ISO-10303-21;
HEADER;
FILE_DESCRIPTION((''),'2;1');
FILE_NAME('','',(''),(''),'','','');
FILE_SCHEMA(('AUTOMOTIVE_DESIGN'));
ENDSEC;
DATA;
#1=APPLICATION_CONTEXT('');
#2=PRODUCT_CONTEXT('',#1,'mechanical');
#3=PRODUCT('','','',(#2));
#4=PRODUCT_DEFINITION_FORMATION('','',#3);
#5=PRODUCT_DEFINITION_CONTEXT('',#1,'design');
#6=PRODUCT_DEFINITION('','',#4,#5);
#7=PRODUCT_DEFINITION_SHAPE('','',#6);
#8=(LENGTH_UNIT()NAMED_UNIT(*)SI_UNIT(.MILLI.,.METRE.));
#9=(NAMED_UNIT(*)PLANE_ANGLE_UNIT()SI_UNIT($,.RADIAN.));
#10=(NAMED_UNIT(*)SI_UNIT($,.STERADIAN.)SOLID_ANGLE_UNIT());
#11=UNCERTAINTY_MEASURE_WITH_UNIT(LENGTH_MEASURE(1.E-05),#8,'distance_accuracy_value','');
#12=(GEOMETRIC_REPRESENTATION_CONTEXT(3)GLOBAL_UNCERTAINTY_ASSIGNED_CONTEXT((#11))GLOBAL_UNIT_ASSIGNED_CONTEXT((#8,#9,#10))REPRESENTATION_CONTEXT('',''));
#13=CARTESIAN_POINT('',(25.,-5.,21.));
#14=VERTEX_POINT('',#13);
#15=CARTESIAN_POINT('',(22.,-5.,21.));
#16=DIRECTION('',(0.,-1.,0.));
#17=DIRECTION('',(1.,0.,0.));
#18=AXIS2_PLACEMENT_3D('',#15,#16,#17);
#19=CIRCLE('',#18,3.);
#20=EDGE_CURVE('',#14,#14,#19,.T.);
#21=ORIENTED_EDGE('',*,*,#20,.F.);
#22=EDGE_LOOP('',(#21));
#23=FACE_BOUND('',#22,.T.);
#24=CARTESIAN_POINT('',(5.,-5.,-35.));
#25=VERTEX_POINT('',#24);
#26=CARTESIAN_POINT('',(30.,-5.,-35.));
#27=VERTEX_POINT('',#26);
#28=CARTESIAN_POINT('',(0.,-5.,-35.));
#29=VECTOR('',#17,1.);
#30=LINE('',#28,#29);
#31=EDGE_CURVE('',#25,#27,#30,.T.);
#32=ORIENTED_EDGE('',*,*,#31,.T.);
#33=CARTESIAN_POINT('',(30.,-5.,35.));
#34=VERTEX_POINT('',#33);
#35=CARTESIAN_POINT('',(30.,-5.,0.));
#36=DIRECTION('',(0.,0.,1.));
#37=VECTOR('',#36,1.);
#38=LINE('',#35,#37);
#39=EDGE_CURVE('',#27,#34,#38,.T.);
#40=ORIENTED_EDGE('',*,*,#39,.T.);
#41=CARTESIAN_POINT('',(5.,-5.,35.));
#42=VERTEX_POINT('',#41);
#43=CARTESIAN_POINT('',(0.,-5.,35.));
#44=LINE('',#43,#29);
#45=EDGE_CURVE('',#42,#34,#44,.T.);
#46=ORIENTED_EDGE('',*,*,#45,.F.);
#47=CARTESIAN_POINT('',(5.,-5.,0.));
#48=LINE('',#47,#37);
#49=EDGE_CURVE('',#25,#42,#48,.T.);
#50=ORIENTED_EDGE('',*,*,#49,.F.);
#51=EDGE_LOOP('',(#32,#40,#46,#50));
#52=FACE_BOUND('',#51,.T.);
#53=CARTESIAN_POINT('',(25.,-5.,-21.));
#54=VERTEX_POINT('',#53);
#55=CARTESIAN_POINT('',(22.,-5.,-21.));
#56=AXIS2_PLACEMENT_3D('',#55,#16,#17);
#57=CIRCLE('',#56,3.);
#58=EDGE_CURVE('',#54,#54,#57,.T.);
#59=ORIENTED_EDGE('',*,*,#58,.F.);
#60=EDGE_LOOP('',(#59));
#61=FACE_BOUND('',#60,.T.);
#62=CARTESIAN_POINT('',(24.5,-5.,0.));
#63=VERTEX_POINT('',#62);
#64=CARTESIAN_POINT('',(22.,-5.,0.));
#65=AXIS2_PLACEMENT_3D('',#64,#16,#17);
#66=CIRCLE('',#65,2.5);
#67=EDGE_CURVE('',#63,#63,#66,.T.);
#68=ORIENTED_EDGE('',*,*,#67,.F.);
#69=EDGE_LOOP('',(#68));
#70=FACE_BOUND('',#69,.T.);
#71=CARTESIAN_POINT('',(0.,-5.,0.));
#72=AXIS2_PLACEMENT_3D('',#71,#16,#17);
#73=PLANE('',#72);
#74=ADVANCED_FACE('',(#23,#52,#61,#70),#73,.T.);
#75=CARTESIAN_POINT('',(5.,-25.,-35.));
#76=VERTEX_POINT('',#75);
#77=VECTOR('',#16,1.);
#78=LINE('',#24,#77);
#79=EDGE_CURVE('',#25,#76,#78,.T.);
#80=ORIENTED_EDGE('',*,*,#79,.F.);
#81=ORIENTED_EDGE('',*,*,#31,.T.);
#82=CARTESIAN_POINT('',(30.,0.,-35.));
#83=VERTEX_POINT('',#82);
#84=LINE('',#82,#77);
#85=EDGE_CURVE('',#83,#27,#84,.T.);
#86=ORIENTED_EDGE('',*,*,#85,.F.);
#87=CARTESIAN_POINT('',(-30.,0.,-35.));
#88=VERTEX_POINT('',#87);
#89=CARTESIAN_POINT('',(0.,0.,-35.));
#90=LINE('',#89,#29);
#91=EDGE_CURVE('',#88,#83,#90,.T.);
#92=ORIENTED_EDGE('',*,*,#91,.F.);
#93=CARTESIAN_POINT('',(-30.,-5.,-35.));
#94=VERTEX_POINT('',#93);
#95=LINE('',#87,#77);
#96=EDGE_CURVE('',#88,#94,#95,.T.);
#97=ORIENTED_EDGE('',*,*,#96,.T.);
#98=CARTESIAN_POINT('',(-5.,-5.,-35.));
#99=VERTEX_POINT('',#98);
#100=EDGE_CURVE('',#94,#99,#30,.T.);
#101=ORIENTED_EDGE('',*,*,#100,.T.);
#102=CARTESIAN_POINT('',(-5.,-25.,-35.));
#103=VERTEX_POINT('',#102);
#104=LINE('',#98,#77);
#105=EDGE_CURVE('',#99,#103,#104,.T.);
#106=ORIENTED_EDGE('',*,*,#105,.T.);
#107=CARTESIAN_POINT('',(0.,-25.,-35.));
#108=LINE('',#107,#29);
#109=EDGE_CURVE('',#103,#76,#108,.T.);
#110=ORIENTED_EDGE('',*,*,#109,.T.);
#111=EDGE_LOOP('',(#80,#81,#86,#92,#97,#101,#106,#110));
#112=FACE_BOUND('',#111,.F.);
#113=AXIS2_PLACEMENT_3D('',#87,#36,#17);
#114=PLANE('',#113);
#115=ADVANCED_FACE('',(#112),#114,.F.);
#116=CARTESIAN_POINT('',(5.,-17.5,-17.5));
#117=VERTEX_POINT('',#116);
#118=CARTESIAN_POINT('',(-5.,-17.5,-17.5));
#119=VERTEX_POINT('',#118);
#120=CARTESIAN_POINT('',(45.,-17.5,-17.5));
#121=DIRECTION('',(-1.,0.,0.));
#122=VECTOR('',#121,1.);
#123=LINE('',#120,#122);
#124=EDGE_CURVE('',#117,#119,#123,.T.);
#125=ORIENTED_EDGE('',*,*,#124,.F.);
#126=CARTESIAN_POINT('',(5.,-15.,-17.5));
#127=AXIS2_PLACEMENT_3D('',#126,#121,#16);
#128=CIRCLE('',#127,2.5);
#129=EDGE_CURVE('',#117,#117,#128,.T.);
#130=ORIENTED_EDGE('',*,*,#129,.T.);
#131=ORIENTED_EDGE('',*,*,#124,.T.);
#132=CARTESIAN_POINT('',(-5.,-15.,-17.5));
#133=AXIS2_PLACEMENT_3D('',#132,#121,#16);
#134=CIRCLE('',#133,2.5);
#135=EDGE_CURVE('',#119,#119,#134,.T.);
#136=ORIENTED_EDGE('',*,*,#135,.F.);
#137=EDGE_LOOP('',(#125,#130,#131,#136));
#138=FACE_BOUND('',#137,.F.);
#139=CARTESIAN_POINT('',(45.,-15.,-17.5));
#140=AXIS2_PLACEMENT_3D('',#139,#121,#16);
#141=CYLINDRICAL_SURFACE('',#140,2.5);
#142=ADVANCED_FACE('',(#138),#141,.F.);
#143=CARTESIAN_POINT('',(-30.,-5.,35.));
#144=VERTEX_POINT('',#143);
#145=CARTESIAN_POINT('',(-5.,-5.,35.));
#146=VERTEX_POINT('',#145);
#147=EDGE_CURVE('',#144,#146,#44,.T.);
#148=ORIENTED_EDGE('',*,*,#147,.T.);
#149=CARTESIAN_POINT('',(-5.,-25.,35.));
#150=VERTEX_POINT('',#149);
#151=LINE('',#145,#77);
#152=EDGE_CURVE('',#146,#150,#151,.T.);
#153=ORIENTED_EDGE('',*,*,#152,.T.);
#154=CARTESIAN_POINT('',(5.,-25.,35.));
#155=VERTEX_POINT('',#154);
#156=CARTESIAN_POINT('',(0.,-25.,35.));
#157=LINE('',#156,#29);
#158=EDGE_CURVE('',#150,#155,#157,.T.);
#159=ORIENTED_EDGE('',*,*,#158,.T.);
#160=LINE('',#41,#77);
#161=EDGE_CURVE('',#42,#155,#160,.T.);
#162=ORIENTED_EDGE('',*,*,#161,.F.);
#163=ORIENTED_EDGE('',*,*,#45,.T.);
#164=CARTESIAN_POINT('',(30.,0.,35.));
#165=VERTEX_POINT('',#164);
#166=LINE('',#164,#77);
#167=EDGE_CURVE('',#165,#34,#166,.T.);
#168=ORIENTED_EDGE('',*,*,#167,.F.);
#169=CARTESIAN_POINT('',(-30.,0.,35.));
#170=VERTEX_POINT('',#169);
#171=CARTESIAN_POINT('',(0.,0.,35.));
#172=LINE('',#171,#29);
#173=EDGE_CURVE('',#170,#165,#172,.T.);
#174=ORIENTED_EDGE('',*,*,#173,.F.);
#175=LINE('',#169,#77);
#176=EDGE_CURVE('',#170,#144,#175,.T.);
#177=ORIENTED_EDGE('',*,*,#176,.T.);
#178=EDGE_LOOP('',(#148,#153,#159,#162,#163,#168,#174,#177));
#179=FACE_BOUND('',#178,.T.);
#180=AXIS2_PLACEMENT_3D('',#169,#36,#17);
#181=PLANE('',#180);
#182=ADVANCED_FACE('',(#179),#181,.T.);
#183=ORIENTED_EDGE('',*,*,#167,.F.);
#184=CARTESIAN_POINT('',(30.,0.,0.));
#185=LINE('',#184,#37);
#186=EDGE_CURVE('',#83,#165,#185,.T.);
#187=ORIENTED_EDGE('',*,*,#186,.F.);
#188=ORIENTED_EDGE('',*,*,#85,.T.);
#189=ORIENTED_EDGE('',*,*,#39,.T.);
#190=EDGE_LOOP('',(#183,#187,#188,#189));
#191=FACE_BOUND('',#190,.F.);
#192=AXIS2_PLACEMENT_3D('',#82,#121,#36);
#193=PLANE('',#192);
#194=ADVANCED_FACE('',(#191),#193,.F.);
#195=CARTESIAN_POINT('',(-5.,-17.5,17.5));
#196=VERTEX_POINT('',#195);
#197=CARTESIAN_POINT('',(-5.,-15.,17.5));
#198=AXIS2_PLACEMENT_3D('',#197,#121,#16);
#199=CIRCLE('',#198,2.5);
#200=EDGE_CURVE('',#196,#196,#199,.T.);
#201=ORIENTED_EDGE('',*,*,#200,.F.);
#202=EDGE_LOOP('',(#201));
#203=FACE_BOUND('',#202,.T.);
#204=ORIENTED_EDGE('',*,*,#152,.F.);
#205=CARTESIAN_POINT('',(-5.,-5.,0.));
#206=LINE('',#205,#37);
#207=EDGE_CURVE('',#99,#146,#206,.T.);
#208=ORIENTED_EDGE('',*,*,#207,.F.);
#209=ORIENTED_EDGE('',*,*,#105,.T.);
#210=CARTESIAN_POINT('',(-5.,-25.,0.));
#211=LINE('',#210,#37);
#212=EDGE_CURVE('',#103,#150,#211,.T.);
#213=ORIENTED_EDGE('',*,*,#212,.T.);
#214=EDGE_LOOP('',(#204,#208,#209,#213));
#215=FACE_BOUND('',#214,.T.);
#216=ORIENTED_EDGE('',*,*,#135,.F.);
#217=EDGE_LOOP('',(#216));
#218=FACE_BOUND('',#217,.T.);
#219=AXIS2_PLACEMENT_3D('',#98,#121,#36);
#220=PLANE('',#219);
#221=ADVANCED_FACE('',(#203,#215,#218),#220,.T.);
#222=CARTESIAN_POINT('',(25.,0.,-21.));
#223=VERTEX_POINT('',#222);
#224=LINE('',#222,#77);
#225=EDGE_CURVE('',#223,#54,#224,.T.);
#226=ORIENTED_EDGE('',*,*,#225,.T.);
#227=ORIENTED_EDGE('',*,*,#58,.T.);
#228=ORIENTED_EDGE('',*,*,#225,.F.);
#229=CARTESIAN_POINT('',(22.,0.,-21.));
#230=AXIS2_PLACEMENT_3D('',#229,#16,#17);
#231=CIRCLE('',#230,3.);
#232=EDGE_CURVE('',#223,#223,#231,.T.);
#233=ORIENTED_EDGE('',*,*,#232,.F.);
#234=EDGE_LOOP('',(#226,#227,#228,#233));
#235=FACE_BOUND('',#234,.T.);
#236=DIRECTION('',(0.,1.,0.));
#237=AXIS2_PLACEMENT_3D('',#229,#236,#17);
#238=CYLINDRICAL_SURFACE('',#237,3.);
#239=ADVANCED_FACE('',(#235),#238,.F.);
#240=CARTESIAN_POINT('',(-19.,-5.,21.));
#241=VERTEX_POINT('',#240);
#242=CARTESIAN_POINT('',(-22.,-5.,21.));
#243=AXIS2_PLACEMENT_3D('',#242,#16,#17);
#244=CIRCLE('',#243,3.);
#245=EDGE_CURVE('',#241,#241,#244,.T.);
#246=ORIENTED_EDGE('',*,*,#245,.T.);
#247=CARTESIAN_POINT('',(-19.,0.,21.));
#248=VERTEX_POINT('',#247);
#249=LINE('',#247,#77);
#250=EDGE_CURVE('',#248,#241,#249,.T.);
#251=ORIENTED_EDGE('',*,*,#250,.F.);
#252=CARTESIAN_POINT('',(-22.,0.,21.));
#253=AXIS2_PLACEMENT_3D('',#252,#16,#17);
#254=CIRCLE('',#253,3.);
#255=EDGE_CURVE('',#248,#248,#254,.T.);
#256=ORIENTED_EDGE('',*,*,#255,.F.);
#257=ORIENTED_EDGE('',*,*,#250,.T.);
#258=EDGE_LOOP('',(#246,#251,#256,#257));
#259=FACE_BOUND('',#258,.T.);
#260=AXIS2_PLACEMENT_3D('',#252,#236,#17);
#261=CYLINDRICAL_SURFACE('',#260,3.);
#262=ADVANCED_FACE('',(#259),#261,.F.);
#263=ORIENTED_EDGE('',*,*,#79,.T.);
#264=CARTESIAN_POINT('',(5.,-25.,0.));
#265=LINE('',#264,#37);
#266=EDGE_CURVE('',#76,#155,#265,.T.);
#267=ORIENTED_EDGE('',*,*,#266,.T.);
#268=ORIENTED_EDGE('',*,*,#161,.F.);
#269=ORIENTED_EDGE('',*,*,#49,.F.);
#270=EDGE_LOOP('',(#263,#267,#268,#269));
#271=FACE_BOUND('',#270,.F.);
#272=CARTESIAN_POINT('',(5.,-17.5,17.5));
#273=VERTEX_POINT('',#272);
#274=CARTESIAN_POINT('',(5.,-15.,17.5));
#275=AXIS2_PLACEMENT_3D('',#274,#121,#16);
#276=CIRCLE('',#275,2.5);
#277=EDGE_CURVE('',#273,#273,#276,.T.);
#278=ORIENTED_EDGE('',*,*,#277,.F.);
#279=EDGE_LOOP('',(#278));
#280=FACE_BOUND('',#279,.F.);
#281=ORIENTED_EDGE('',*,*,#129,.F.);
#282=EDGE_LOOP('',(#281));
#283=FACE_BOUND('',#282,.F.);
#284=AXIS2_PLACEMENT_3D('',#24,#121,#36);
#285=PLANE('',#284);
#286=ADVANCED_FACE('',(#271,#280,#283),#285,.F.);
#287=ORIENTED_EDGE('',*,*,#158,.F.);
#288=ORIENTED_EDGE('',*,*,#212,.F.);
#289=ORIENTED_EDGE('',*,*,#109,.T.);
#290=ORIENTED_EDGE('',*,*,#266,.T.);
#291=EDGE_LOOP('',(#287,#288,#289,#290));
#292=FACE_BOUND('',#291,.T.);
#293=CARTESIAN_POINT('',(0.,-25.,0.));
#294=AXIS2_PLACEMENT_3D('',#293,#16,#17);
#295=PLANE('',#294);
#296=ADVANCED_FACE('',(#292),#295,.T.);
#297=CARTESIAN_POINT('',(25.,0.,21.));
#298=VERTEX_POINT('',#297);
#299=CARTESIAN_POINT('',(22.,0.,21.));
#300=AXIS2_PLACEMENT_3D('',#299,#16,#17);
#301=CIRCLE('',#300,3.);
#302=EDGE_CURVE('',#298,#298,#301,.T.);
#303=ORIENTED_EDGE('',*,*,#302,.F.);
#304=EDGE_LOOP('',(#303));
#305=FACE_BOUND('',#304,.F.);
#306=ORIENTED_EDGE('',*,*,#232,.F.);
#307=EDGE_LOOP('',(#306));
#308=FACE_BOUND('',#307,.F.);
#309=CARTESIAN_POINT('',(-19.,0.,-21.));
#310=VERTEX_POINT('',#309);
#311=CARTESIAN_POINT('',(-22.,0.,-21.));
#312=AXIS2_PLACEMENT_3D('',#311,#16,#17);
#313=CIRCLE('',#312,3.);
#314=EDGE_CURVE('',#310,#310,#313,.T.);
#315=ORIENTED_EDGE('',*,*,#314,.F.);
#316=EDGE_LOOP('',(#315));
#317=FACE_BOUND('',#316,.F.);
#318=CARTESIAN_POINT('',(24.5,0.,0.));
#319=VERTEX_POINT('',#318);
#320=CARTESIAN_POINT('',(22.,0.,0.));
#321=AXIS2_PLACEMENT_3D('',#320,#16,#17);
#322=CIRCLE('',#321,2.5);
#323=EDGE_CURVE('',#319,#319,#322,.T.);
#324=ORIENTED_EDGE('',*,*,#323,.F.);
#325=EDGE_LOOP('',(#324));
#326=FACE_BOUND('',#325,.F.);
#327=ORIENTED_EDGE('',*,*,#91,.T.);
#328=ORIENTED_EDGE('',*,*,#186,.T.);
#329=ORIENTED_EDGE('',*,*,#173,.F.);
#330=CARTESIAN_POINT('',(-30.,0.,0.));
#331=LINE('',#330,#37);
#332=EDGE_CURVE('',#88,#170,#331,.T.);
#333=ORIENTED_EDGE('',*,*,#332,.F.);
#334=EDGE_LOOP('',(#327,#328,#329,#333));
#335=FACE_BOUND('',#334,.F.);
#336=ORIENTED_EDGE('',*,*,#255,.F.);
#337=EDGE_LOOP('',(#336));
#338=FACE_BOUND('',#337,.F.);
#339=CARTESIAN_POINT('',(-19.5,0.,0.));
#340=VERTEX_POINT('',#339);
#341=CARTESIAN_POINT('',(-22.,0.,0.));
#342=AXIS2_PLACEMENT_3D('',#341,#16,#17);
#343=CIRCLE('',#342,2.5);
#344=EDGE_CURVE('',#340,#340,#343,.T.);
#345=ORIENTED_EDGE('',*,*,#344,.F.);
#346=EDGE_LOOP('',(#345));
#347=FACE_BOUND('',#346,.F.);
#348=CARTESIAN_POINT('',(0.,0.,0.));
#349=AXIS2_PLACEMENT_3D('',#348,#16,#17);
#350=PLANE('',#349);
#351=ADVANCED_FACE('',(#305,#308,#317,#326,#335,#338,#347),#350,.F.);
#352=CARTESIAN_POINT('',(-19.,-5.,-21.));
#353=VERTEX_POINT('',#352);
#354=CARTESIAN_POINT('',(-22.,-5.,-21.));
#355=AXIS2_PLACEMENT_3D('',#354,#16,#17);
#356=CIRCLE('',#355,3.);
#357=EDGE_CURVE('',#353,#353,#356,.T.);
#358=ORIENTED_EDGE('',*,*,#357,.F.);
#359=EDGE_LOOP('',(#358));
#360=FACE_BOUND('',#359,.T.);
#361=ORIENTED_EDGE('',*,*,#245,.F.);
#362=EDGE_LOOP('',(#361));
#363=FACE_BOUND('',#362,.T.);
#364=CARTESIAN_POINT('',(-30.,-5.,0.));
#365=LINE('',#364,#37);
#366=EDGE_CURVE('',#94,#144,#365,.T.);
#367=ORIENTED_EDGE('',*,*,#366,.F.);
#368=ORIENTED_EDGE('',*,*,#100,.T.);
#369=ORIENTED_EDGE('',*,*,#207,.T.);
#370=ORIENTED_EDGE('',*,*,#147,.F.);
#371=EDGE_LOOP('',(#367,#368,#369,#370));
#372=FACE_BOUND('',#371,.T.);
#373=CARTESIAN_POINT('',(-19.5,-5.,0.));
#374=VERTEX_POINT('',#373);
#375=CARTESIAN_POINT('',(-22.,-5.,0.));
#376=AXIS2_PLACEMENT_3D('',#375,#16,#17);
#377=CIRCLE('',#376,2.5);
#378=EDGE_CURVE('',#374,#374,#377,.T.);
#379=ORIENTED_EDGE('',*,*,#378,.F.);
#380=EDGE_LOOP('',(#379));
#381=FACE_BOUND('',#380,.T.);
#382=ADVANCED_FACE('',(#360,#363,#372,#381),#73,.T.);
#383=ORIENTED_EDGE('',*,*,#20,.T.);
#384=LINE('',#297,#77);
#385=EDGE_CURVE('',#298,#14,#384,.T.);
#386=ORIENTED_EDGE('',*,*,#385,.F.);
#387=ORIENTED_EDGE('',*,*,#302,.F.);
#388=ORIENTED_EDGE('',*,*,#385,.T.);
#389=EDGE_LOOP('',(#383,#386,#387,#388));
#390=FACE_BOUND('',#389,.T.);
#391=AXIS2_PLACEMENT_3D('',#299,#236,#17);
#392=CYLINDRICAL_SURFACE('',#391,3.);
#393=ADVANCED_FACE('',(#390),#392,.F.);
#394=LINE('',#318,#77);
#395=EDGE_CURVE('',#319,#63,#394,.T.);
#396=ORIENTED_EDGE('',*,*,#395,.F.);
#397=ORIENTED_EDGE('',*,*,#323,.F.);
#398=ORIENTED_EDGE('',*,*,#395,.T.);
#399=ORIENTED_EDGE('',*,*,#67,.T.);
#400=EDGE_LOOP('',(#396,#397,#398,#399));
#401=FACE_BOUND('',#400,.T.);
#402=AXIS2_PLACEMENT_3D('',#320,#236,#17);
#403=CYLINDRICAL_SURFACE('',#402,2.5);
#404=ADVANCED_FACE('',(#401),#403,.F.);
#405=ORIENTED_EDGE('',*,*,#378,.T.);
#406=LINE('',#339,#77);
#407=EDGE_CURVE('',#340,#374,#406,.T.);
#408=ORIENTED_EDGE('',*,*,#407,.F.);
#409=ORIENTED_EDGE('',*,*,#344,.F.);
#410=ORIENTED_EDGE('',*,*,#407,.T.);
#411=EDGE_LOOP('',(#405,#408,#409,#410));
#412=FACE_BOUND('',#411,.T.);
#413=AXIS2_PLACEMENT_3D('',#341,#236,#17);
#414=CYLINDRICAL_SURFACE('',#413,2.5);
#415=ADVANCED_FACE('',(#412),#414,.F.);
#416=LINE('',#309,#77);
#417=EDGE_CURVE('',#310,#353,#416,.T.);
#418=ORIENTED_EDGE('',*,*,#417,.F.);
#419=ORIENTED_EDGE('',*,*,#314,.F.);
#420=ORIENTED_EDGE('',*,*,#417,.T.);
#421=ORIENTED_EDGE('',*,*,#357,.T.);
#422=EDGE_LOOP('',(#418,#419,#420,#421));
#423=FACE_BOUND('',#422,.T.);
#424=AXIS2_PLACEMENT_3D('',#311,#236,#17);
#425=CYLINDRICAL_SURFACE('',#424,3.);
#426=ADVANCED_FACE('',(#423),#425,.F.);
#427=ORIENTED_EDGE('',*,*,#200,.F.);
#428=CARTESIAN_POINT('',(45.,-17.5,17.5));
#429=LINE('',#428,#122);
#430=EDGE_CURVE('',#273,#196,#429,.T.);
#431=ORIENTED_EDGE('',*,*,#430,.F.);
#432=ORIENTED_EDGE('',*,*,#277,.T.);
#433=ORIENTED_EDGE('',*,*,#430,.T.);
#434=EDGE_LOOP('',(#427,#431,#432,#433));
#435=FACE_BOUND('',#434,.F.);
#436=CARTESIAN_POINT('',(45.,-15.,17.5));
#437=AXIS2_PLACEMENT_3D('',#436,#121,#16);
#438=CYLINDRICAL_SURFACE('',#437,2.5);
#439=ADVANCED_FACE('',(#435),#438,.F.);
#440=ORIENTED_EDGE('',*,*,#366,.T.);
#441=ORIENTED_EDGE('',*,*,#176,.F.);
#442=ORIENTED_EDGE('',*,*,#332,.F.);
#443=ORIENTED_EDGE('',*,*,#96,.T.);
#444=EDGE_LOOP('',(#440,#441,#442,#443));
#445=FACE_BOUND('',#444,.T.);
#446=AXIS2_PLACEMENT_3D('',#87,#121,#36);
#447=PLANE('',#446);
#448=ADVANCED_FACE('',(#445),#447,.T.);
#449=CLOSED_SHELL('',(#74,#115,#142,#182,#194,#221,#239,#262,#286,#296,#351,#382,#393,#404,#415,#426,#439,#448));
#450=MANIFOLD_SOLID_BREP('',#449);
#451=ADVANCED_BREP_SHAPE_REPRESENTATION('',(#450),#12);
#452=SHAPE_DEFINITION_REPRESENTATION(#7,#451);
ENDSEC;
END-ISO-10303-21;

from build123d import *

# Parameters (mm, degrees)
F0_W     = 60
F0_H     = 70
F0_R     = 3
F0_R_2   = 2.5
F1_DEPTH = 5
F2_W     = 10
F2_H     = 70
F3_DEPTH = 20
F5_D     = 5
F5_DEPTH = 40


with BuildPart() as f1:
    # F0 (on Front) → F1 (new body)
    with BuildSketch(Plane.XZ):
        Rectangle(F0_W, F0_H)
        with Locations((-22, -21)):
            Circle(F0_R, mode=Mode.SUBTRACT)
        with Locations((22, -21)):
            Circle(F0_R, mode=Mode.SUBTRACT)
        with Locations((-22, 0)):
            Circle(F0_R_2, mode=Mode.SUBTRACT)
        with Locations((-22, 21)):
            Circle(F0_R, mode=Mode.SUBTRACT)
        with Locations((22, 0)):
            Circle(F0_R_2, mode=Mode.SUBTRACT)
        with Locations((22, 21)):
            Circle(F0_R, mode=Mode.SUBTRACT)
    extrude(amount=F1_DEPTH)

    # F2 (on face) → F3 (join)
    with BuildSketch(Plane.XZ.offset(5)):
        Rectangle(F2_W, F2_H)
    extrude(amount=F3_DEPTH)

    # F5
    with Locations(Plane.YZ.offset(5)):
        with Locations((-15, 17.5), (-15, -17.5)):
            Hole(F5_D / 2, depth=F5_DEPTH)


solid = f1.part
